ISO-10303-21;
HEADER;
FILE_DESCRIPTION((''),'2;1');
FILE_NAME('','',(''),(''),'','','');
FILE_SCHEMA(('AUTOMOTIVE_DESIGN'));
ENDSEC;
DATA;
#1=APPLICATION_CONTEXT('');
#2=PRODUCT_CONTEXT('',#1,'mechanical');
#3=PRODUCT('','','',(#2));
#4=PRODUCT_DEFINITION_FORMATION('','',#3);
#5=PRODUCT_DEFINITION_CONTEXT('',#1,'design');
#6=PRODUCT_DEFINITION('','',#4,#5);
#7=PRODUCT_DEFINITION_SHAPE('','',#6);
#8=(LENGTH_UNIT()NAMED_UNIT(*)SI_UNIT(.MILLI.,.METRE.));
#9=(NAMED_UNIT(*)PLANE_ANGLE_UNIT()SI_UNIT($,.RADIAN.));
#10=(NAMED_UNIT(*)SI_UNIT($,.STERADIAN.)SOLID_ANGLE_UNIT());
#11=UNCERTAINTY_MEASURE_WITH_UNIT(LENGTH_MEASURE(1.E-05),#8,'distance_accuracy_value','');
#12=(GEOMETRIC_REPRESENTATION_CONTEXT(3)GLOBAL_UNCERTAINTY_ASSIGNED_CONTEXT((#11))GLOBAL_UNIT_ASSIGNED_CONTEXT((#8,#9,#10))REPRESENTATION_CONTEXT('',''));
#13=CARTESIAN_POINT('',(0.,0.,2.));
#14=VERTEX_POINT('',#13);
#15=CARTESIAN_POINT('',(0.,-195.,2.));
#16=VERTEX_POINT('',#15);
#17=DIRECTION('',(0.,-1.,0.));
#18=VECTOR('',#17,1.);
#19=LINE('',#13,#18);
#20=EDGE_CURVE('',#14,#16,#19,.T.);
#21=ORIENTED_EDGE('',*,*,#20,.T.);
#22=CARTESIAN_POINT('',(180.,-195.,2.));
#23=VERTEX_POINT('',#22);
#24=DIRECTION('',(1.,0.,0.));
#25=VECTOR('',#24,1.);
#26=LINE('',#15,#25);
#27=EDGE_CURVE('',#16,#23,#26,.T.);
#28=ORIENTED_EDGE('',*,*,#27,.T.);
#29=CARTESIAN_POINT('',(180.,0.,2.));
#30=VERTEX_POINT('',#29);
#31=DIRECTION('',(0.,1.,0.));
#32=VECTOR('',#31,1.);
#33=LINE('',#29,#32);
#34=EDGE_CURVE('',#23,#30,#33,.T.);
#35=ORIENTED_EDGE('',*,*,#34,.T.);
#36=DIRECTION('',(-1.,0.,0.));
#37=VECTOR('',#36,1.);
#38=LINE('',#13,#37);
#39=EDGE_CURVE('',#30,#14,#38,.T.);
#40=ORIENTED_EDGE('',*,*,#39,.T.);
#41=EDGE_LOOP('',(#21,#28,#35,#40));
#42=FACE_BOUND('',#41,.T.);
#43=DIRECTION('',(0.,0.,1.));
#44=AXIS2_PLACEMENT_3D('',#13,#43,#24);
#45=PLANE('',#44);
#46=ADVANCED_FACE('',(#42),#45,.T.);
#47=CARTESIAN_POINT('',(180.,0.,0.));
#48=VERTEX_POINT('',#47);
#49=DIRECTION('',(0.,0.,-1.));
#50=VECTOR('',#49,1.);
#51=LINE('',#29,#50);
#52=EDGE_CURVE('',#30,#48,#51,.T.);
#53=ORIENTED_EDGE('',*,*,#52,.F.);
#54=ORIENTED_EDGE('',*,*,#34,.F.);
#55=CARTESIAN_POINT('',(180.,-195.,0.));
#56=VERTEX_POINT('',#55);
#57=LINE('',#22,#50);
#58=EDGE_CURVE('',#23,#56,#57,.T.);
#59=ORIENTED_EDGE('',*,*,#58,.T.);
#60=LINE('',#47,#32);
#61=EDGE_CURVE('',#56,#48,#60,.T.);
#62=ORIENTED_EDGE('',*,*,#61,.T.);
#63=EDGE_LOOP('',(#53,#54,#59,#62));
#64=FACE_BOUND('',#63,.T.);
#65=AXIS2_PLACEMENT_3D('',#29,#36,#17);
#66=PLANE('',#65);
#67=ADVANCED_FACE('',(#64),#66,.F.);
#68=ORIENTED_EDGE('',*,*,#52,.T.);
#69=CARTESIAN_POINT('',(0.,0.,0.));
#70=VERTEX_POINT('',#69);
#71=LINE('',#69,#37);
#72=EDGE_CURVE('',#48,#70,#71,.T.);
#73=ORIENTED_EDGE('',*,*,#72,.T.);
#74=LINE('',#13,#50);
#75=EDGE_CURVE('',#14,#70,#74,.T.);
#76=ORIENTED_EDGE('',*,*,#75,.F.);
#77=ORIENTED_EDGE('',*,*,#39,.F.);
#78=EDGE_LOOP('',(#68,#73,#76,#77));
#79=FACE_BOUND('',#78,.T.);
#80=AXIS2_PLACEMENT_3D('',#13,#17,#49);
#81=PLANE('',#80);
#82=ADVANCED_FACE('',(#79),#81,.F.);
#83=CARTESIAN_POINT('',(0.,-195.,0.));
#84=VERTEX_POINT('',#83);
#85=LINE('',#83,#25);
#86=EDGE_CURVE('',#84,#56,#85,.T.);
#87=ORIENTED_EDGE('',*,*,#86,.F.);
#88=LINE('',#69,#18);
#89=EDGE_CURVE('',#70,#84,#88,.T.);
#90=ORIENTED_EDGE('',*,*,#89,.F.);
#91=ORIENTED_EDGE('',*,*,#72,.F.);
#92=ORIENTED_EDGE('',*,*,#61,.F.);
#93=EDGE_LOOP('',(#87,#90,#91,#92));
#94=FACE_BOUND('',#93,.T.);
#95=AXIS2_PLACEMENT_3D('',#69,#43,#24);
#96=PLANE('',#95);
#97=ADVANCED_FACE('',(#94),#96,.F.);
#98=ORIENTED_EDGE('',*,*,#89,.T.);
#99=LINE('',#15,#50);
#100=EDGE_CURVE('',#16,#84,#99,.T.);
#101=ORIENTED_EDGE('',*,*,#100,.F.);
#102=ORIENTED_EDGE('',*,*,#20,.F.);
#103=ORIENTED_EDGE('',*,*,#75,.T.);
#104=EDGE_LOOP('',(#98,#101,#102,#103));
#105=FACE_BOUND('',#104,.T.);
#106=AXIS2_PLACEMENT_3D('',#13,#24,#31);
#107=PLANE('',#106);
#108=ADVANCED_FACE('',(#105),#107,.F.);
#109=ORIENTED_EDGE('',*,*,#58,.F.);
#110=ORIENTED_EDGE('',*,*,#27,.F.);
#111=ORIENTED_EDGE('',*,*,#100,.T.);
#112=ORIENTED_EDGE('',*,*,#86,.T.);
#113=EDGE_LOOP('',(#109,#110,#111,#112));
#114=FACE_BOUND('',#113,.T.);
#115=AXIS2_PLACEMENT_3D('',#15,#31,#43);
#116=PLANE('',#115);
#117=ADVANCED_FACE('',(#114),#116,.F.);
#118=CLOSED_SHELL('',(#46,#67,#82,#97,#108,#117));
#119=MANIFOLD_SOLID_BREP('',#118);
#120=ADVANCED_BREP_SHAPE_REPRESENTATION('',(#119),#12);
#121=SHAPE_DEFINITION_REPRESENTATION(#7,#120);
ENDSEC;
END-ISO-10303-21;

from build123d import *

# Parameters (mm, degrees)
SKETCH1_W           = 180
SKETCH1_H           = 195
BOSS_EXTRUDE1_DEPTH = 2


with BuildPart() as part:
    # Sketch1 → Boss-Extrude1 (new body)
    with BuildSketch(Plane.XY):
        with Locations((90, -97.5)):
            Rectangle(SKETCH1_W, SKETCH1_H)
    extrude(amount=BOSS_EXTRUDE1_DEPTH)


solid = part.part
